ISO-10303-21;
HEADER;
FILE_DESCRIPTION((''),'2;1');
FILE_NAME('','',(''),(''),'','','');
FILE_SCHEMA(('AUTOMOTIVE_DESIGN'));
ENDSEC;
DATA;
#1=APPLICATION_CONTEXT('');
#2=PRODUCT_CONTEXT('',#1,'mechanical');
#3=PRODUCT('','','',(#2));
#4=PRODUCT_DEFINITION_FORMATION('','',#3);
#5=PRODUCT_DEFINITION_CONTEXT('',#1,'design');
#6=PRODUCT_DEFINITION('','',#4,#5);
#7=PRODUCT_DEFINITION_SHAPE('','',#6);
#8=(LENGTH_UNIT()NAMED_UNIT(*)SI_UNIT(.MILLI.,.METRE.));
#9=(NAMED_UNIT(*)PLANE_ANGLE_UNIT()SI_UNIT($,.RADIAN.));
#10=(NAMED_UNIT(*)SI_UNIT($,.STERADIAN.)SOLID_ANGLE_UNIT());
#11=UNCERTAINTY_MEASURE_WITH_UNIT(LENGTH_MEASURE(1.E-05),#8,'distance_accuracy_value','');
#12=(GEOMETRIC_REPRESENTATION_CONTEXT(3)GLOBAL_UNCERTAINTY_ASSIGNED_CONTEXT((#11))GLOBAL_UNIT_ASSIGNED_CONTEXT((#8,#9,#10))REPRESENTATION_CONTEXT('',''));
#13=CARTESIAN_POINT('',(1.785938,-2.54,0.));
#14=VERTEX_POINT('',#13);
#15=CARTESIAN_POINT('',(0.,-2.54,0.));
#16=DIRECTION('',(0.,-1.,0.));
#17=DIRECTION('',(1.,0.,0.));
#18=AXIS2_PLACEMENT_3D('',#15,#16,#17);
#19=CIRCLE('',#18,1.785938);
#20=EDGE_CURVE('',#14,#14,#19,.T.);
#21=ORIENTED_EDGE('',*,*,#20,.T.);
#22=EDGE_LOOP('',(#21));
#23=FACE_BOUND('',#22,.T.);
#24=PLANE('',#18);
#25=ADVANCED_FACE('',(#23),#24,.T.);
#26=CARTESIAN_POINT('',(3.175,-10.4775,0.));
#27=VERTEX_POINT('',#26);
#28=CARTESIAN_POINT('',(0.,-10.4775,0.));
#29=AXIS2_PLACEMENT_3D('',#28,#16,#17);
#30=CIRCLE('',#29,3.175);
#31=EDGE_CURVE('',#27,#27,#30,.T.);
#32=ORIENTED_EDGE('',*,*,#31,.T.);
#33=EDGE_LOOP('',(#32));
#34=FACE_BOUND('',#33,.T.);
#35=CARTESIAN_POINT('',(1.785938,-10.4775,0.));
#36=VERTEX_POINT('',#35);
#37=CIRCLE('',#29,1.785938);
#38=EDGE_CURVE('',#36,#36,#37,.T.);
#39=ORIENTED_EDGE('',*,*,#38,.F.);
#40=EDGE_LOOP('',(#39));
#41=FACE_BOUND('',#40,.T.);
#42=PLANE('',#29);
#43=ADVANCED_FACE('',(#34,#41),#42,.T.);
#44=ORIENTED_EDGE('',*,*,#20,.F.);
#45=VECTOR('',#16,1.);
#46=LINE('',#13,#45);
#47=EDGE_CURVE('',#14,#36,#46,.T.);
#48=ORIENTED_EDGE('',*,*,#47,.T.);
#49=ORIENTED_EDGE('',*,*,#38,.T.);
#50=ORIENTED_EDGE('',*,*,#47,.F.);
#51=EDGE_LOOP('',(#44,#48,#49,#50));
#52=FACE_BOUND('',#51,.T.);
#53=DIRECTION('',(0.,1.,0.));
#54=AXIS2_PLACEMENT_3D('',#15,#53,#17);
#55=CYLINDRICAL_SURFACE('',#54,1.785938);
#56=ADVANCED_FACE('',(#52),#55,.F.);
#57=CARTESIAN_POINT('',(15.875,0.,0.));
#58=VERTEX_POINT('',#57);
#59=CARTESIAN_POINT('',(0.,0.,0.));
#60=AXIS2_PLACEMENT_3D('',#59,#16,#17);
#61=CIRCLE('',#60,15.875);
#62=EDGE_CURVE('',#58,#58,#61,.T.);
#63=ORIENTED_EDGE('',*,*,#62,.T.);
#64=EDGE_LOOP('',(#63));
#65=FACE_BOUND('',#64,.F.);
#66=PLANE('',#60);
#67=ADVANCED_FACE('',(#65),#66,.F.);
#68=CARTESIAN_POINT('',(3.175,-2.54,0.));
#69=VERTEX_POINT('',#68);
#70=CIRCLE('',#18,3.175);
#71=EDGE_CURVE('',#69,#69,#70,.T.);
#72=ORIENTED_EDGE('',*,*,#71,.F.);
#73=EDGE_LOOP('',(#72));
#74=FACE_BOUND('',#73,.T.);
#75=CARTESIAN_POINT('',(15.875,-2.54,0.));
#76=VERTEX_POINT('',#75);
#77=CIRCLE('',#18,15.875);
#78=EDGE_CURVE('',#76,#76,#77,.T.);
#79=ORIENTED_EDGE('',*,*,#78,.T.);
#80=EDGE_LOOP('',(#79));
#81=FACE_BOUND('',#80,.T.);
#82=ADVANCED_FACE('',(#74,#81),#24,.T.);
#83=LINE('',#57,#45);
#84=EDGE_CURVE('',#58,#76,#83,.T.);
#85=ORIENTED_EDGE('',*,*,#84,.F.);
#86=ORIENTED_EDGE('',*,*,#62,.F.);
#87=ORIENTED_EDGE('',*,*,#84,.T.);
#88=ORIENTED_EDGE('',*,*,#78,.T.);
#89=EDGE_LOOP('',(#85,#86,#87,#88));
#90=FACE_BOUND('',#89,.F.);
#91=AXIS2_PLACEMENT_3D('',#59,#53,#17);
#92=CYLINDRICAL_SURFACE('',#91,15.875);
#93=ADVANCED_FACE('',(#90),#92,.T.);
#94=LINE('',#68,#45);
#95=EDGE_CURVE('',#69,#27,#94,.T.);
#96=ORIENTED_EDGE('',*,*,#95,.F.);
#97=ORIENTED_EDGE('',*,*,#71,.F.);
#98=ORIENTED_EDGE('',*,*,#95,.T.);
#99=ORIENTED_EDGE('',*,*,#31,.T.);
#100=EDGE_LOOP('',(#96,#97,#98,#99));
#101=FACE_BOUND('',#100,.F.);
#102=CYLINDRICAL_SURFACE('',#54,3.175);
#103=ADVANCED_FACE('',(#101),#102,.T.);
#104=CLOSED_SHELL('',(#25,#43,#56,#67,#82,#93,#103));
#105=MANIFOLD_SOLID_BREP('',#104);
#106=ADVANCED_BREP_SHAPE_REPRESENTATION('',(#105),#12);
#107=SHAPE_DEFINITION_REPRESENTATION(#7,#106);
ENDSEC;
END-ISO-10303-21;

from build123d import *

# Parameters (mm, degrees)
F0_R     = 15.875
F1_DEPTH = 2.54
F2_R     = 3.175
F2_R_2   = 1.785938
F3_DEPTH = 7.9375


with BuildPart() as f1:
    # F0 (on Front) → F1 (new body)
    with BuildSketch(Plane.XZ):
        Circle(F0_R)
    extrude(amount=F1_DEPTH)

    # F2 (on face) → F3 (join)
    with BuildSketch(Plane.XZ.offset(2.54)):
        Circle(F2_R)
        Circle(F2_R_2, mode=Mode.SUBTRACT)
    extrude(amount=F3_DEPTH)


solid = f1.part
